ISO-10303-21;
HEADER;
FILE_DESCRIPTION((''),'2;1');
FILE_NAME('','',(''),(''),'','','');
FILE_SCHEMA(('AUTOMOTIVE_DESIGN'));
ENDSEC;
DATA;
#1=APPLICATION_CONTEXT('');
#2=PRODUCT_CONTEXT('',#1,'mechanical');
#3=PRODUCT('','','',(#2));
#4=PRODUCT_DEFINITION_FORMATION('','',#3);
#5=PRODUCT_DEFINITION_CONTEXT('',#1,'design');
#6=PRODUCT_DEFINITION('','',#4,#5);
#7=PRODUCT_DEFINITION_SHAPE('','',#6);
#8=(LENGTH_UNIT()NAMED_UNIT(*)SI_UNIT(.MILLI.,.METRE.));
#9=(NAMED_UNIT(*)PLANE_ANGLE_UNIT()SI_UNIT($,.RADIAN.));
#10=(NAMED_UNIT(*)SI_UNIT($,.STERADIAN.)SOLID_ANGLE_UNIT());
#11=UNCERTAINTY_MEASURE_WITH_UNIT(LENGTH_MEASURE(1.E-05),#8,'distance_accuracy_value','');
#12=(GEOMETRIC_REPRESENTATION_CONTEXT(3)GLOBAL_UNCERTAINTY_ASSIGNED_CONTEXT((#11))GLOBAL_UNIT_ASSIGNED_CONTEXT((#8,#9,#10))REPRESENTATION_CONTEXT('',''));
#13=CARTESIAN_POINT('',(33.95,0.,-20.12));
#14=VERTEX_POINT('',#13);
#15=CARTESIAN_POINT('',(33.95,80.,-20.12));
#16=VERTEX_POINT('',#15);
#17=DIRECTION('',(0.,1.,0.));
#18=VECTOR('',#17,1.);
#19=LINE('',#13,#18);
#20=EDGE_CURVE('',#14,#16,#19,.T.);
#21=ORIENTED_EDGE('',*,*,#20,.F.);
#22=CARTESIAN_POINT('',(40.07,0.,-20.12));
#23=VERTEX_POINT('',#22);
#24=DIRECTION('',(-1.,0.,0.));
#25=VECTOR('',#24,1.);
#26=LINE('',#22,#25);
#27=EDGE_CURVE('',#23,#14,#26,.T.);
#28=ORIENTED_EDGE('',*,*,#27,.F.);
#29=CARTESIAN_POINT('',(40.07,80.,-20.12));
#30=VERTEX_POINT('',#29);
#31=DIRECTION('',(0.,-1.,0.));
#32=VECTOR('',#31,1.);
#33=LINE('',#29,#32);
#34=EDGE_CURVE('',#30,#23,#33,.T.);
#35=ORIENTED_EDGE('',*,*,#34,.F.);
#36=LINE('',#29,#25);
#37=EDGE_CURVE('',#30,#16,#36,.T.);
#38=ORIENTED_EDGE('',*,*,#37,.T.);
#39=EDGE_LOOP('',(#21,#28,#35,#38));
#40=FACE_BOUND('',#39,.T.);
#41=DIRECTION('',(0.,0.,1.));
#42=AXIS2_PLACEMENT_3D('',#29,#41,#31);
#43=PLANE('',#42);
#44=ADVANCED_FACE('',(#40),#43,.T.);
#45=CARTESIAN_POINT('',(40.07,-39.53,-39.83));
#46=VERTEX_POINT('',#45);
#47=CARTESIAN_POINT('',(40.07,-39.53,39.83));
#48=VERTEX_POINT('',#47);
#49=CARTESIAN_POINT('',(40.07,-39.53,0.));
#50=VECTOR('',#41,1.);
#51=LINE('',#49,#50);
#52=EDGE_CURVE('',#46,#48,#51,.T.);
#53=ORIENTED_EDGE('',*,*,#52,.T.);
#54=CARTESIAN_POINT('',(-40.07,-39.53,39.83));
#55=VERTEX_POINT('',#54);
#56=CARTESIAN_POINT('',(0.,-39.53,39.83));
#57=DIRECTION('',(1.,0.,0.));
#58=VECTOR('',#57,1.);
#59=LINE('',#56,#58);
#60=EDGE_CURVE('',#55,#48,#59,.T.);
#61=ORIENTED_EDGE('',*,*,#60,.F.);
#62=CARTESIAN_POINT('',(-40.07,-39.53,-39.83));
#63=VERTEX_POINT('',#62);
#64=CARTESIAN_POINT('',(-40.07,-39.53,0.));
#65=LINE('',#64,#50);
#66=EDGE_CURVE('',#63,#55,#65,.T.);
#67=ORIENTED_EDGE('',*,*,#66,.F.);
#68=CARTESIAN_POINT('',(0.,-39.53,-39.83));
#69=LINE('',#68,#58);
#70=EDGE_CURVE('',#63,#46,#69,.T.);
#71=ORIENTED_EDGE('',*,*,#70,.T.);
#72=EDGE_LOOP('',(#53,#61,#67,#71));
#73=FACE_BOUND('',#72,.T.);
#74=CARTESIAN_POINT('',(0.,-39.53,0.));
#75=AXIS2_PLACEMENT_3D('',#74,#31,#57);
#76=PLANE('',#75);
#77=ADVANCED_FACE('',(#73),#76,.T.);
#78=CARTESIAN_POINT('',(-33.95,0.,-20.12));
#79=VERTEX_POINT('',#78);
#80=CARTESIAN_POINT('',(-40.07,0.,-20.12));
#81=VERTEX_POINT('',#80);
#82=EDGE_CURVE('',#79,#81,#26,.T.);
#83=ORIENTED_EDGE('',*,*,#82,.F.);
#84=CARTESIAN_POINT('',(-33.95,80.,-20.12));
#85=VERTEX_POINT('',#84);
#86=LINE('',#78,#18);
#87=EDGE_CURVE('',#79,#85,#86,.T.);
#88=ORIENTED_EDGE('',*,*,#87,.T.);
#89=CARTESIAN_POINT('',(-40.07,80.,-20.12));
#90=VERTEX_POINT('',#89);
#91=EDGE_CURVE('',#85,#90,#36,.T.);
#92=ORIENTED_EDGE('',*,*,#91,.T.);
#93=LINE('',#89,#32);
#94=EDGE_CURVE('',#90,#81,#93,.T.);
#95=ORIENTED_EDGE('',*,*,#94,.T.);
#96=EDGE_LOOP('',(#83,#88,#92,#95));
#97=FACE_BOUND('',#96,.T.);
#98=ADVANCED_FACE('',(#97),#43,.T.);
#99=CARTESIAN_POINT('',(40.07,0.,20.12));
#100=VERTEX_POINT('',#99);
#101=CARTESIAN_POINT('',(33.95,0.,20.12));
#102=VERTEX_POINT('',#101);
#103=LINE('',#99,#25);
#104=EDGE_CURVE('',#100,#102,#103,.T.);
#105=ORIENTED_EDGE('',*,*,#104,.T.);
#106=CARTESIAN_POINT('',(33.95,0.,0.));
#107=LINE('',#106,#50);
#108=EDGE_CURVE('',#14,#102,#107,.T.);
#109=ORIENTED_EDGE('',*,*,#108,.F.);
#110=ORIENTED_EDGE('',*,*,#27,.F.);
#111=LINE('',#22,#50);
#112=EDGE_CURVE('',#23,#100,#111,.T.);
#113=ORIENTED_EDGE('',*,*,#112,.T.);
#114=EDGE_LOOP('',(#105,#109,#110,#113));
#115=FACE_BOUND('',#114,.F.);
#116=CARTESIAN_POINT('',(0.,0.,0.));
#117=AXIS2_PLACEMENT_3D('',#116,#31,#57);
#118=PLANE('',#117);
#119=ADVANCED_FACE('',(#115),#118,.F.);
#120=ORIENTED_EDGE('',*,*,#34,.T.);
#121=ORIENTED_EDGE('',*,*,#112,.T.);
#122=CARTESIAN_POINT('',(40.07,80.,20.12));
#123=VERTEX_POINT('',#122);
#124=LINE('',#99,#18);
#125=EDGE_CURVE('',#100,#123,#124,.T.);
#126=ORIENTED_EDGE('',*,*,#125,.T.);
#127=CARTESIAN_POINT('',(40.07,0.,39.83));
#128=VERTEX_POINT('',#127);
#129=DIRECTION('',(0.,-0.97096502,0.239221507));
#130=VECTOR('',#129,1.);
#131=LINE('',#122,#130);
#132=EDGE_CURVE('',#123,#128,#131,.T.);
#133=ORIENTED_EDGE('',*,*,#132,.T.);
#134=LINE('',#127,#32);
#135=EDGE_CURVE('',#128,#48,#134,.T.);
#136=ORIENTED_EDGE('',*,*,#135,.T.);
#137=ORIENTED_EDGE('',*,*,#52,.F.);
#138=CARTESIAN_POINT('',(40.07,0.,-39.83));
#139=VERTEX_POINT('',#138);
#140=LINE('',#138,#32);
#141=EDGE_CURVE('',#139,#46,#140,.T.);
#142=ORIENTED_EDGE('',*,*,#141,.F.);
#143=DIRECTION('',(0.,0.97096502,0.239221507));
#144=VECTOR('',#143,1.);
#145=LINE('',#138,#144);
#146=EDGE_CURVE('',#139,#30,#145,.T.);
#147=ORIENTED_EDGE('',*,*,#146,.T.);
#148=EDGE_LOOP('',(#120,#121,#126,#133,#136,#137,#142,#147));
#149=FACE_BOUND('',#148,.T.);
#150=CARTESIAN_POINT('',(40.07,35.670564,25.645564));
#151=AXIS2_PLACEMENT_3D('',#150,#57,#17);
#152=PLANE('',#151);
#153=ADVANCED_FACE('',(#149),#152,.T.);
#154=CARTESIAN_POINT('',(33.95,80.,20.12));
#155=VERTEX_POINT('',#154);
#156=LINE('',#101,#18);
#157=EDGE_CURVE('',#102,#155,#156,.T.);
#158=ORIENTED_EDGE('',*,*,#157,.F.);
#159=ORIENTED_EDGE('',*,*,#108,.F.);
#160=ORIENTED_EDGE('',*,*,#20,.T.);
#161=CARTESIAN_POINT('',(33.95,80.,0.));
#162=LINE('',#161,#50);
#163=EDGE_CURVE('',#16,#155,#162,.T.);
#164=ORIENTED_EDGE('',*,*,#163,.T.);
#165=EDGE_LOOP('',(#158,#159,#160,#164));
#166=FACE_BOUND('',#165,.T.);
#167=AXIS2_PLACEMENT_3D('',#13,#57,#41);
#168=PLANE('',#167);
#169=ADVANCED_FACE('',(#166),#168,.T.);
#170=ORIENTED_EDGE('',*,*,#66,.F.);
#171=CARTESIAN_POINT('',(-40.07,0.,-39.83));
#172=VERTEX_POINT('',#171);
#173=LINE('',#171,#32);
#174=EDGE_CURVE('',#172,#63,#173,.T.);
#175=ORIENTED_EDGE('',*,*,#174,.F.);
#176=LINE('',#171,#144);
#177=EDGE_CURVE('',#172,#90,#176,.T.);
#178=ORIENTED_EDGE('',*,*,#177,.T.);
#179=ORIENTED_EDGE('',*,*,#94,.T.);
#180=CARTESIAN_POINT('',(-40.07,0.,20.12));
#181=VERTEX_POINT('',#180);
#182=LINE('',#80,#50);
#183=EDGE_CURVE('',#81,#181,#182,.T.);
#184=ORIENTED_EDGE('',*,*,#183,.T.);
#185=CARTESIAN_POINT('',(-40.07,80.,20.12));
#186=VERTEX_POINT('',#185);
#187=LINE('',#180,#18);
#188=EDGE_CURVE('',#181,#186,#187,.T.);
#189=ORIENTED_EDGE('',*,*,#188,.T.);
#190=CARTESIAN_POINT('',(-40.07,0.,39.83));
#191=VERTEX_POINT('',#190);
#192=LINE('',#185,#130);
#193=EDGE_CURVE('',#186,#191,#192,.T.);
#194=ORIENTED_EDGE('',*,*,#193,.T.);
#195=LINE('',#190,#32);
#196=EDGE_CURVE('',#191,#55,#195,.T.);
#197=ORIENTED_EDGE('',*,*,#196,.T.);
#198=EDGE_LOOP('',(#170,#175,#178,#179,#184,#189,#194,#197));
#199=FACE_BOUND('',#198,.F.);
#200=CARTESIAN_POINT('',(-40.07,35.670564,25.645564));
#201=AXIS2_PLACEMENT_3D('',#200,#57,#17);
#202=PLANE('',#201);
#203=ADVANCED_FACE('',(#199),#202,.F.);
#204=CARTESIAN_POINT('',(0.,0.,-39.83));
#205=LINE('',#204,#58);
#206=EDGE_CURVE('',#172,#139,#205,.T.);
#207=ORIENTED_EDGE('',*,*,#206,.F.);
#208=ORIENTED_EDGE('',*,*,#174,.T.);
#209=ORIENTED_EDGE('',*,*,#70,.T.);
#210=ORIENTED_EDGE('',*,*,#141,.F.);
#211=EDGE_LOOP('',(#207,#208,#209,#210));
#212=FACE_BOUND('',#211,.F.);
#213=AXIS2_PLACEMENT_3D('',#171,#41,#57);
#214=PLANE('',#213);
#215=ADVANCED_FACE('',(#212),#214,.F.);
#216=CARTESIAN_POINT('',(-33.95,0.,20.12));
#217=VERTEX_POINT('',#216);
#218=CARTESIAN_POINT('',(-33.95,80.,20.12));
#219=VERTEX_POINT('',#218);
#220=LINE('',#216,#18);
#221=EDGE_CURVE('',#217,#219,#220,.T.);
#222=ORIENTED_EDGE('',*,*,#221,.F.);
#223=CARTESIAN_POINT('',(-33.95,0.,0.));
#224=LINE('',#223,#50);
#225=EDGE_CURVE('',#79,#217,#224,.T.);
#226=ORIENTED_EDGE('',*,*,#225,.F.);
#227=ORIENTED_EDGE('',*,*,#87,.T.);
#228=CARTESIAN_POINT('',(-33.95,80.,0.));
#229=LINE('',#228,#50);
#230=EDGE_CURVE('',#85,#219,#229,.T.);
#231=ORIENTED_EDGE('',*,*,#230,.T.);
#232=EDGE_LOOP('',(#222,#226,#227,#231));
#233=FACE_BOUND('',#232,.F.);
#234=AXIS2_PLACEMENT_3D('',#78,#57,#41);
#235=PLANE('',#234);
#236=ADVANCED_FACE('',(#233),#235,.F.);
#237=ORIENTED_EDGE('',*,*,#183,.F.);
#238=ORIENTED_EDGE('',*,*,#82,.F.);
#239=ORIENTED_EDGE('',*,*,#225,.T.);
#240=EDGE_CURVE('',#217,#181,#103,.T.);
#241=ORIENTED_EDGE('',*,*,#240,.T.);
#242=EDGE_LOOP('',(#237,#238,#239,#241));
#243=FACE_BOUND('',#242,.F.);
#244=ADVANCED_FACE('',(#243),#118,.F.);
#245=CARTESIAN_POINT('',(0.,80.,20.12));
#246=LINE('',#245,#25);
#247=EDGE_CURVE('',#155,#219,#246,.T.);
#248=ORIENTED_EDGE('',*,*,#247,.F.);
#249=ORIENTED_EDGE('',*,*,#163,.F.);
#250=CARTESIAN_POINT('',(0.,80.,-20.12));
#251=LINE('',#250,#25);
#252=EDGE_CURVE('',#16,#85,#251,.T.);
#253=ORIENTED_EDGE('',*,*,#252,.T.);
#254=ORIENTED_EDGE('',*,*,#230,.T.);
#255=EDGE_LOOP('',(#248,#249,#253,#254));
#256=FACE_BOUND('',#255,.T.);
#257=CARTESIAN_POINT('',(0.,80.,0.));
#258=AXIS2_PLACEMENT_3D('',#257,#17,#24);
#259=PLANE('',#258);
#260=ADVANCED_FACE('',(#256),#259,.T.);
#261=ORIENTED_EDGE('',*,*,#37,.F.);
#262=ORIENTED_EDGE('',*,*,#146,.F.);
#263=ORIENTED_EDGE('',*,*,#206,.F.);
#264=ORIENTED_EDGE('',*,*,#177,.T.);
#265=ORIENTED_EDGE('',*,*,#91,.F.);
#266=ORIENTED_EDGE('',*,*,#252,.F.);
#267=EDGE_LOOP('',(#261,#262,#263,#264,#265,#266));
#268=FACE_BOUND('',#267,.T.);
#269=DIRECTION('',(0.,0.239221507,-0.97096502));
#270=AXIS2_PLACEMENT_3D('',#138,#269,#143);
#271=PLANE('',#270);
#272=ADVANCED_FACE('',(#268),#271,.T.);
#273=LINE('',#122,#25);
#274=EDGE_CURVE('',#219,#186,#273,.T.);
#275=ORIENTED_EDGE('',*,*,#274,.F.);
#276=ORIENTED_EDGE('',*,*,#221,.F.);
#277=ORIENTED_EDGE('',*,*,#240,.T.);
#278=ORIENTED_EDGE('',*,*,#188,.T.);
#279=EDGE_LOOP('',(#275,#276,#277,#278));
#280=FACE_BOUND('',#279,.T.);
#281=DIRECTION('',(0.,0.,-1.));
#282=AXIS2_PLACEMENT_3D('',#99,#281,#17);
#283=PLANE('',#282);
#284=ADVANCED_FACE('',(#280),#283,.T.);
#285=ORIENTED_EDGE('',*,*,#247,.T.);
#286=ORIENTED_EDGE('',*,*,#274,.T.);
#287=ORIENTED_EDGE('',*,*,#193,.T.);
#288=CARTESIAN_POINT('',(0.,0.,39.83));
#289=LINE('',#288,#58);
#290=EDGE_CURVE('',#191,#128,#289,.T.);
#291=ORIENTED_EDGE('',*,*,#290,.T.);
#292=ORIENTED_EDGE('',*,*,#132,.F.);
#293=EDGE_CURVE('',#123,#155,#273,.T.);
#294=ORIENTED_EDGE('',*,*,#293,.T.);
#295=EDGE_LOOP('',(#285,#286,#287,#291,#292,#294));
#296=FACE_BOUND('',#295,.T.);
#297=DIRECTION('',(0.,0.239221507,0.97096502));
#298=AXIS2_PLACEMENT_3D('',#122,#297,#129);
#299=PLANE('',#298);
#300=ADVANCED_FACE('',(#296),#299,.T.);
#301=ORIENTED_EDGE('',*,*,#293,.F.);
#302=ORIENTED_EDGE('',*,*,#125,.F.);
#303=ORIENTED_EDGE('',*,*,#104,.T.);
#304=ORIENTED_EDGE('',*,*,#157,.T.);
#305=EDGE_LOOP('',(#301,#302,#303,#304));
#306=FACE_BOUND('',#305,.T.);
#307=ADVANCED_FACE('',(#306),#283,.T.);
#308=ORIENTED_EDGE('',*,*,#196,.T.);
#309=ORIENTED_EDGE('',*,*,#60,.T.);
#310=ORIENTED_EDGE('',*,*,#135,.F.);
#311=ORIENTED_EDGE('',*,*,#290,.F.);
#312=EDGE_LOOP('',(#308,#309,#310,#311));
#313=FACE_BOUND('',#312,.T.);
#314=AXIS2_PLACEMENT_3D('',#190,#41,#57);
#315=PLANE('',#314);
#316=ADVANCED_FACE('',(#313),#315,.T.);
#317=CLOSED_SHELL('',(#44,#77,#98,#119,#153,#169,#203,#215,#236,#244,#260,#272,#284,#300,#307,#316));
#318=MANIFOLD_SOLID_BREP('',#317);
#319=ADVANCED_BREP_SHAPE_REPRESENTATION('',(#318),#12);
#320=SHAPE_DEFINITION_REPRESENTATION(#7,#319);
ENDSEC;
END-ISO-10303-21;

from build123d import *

# Parameters (mm, degrees)
F0_W     = 80.14
F0_H     = 79.66
F1_DEPTH = 39.53
F2_W     = 67.9
F2_H     = 40.24
F3_DEPTH = 80
F5_DEPTH = 80.14


with BuildPart() as f1:
    # F0 (on Front) → F1 (new body)
    with BuildSketch(Plane.XZ):
        Rectangle(F0_W, F0_H)
    extrude(amount=F1_DEPTH)

    # F2 (on face) → F3 (join)
    with BuildSketch(Plane(origin=(0, 0, 0), x_dir=(-1, 0, 0), z_dir=(0, 1, 0))):
        Rectangle(F2_W, F2_H)
    extrude(amount=F3_DEPTH)

    # F4 (on face) → F5 (join, through all)
    with BuildSketch(Plane.YZ.offset(40.07)):
        Polygon((80, 20.12), (0, 39.83), (0, 20.12), align=None)
        Polygon((80, -20.12), (0, -20.12), (0, -39.83), align=None)
        Polygon((0, 20.12), (0, 39.83), (-39.53, 39.83), (-39.53, -39.83), (0, -39.83), (0, -20.12), align=None)
    extrude(amount=-F5_DEPTH)


solid = f1.part
